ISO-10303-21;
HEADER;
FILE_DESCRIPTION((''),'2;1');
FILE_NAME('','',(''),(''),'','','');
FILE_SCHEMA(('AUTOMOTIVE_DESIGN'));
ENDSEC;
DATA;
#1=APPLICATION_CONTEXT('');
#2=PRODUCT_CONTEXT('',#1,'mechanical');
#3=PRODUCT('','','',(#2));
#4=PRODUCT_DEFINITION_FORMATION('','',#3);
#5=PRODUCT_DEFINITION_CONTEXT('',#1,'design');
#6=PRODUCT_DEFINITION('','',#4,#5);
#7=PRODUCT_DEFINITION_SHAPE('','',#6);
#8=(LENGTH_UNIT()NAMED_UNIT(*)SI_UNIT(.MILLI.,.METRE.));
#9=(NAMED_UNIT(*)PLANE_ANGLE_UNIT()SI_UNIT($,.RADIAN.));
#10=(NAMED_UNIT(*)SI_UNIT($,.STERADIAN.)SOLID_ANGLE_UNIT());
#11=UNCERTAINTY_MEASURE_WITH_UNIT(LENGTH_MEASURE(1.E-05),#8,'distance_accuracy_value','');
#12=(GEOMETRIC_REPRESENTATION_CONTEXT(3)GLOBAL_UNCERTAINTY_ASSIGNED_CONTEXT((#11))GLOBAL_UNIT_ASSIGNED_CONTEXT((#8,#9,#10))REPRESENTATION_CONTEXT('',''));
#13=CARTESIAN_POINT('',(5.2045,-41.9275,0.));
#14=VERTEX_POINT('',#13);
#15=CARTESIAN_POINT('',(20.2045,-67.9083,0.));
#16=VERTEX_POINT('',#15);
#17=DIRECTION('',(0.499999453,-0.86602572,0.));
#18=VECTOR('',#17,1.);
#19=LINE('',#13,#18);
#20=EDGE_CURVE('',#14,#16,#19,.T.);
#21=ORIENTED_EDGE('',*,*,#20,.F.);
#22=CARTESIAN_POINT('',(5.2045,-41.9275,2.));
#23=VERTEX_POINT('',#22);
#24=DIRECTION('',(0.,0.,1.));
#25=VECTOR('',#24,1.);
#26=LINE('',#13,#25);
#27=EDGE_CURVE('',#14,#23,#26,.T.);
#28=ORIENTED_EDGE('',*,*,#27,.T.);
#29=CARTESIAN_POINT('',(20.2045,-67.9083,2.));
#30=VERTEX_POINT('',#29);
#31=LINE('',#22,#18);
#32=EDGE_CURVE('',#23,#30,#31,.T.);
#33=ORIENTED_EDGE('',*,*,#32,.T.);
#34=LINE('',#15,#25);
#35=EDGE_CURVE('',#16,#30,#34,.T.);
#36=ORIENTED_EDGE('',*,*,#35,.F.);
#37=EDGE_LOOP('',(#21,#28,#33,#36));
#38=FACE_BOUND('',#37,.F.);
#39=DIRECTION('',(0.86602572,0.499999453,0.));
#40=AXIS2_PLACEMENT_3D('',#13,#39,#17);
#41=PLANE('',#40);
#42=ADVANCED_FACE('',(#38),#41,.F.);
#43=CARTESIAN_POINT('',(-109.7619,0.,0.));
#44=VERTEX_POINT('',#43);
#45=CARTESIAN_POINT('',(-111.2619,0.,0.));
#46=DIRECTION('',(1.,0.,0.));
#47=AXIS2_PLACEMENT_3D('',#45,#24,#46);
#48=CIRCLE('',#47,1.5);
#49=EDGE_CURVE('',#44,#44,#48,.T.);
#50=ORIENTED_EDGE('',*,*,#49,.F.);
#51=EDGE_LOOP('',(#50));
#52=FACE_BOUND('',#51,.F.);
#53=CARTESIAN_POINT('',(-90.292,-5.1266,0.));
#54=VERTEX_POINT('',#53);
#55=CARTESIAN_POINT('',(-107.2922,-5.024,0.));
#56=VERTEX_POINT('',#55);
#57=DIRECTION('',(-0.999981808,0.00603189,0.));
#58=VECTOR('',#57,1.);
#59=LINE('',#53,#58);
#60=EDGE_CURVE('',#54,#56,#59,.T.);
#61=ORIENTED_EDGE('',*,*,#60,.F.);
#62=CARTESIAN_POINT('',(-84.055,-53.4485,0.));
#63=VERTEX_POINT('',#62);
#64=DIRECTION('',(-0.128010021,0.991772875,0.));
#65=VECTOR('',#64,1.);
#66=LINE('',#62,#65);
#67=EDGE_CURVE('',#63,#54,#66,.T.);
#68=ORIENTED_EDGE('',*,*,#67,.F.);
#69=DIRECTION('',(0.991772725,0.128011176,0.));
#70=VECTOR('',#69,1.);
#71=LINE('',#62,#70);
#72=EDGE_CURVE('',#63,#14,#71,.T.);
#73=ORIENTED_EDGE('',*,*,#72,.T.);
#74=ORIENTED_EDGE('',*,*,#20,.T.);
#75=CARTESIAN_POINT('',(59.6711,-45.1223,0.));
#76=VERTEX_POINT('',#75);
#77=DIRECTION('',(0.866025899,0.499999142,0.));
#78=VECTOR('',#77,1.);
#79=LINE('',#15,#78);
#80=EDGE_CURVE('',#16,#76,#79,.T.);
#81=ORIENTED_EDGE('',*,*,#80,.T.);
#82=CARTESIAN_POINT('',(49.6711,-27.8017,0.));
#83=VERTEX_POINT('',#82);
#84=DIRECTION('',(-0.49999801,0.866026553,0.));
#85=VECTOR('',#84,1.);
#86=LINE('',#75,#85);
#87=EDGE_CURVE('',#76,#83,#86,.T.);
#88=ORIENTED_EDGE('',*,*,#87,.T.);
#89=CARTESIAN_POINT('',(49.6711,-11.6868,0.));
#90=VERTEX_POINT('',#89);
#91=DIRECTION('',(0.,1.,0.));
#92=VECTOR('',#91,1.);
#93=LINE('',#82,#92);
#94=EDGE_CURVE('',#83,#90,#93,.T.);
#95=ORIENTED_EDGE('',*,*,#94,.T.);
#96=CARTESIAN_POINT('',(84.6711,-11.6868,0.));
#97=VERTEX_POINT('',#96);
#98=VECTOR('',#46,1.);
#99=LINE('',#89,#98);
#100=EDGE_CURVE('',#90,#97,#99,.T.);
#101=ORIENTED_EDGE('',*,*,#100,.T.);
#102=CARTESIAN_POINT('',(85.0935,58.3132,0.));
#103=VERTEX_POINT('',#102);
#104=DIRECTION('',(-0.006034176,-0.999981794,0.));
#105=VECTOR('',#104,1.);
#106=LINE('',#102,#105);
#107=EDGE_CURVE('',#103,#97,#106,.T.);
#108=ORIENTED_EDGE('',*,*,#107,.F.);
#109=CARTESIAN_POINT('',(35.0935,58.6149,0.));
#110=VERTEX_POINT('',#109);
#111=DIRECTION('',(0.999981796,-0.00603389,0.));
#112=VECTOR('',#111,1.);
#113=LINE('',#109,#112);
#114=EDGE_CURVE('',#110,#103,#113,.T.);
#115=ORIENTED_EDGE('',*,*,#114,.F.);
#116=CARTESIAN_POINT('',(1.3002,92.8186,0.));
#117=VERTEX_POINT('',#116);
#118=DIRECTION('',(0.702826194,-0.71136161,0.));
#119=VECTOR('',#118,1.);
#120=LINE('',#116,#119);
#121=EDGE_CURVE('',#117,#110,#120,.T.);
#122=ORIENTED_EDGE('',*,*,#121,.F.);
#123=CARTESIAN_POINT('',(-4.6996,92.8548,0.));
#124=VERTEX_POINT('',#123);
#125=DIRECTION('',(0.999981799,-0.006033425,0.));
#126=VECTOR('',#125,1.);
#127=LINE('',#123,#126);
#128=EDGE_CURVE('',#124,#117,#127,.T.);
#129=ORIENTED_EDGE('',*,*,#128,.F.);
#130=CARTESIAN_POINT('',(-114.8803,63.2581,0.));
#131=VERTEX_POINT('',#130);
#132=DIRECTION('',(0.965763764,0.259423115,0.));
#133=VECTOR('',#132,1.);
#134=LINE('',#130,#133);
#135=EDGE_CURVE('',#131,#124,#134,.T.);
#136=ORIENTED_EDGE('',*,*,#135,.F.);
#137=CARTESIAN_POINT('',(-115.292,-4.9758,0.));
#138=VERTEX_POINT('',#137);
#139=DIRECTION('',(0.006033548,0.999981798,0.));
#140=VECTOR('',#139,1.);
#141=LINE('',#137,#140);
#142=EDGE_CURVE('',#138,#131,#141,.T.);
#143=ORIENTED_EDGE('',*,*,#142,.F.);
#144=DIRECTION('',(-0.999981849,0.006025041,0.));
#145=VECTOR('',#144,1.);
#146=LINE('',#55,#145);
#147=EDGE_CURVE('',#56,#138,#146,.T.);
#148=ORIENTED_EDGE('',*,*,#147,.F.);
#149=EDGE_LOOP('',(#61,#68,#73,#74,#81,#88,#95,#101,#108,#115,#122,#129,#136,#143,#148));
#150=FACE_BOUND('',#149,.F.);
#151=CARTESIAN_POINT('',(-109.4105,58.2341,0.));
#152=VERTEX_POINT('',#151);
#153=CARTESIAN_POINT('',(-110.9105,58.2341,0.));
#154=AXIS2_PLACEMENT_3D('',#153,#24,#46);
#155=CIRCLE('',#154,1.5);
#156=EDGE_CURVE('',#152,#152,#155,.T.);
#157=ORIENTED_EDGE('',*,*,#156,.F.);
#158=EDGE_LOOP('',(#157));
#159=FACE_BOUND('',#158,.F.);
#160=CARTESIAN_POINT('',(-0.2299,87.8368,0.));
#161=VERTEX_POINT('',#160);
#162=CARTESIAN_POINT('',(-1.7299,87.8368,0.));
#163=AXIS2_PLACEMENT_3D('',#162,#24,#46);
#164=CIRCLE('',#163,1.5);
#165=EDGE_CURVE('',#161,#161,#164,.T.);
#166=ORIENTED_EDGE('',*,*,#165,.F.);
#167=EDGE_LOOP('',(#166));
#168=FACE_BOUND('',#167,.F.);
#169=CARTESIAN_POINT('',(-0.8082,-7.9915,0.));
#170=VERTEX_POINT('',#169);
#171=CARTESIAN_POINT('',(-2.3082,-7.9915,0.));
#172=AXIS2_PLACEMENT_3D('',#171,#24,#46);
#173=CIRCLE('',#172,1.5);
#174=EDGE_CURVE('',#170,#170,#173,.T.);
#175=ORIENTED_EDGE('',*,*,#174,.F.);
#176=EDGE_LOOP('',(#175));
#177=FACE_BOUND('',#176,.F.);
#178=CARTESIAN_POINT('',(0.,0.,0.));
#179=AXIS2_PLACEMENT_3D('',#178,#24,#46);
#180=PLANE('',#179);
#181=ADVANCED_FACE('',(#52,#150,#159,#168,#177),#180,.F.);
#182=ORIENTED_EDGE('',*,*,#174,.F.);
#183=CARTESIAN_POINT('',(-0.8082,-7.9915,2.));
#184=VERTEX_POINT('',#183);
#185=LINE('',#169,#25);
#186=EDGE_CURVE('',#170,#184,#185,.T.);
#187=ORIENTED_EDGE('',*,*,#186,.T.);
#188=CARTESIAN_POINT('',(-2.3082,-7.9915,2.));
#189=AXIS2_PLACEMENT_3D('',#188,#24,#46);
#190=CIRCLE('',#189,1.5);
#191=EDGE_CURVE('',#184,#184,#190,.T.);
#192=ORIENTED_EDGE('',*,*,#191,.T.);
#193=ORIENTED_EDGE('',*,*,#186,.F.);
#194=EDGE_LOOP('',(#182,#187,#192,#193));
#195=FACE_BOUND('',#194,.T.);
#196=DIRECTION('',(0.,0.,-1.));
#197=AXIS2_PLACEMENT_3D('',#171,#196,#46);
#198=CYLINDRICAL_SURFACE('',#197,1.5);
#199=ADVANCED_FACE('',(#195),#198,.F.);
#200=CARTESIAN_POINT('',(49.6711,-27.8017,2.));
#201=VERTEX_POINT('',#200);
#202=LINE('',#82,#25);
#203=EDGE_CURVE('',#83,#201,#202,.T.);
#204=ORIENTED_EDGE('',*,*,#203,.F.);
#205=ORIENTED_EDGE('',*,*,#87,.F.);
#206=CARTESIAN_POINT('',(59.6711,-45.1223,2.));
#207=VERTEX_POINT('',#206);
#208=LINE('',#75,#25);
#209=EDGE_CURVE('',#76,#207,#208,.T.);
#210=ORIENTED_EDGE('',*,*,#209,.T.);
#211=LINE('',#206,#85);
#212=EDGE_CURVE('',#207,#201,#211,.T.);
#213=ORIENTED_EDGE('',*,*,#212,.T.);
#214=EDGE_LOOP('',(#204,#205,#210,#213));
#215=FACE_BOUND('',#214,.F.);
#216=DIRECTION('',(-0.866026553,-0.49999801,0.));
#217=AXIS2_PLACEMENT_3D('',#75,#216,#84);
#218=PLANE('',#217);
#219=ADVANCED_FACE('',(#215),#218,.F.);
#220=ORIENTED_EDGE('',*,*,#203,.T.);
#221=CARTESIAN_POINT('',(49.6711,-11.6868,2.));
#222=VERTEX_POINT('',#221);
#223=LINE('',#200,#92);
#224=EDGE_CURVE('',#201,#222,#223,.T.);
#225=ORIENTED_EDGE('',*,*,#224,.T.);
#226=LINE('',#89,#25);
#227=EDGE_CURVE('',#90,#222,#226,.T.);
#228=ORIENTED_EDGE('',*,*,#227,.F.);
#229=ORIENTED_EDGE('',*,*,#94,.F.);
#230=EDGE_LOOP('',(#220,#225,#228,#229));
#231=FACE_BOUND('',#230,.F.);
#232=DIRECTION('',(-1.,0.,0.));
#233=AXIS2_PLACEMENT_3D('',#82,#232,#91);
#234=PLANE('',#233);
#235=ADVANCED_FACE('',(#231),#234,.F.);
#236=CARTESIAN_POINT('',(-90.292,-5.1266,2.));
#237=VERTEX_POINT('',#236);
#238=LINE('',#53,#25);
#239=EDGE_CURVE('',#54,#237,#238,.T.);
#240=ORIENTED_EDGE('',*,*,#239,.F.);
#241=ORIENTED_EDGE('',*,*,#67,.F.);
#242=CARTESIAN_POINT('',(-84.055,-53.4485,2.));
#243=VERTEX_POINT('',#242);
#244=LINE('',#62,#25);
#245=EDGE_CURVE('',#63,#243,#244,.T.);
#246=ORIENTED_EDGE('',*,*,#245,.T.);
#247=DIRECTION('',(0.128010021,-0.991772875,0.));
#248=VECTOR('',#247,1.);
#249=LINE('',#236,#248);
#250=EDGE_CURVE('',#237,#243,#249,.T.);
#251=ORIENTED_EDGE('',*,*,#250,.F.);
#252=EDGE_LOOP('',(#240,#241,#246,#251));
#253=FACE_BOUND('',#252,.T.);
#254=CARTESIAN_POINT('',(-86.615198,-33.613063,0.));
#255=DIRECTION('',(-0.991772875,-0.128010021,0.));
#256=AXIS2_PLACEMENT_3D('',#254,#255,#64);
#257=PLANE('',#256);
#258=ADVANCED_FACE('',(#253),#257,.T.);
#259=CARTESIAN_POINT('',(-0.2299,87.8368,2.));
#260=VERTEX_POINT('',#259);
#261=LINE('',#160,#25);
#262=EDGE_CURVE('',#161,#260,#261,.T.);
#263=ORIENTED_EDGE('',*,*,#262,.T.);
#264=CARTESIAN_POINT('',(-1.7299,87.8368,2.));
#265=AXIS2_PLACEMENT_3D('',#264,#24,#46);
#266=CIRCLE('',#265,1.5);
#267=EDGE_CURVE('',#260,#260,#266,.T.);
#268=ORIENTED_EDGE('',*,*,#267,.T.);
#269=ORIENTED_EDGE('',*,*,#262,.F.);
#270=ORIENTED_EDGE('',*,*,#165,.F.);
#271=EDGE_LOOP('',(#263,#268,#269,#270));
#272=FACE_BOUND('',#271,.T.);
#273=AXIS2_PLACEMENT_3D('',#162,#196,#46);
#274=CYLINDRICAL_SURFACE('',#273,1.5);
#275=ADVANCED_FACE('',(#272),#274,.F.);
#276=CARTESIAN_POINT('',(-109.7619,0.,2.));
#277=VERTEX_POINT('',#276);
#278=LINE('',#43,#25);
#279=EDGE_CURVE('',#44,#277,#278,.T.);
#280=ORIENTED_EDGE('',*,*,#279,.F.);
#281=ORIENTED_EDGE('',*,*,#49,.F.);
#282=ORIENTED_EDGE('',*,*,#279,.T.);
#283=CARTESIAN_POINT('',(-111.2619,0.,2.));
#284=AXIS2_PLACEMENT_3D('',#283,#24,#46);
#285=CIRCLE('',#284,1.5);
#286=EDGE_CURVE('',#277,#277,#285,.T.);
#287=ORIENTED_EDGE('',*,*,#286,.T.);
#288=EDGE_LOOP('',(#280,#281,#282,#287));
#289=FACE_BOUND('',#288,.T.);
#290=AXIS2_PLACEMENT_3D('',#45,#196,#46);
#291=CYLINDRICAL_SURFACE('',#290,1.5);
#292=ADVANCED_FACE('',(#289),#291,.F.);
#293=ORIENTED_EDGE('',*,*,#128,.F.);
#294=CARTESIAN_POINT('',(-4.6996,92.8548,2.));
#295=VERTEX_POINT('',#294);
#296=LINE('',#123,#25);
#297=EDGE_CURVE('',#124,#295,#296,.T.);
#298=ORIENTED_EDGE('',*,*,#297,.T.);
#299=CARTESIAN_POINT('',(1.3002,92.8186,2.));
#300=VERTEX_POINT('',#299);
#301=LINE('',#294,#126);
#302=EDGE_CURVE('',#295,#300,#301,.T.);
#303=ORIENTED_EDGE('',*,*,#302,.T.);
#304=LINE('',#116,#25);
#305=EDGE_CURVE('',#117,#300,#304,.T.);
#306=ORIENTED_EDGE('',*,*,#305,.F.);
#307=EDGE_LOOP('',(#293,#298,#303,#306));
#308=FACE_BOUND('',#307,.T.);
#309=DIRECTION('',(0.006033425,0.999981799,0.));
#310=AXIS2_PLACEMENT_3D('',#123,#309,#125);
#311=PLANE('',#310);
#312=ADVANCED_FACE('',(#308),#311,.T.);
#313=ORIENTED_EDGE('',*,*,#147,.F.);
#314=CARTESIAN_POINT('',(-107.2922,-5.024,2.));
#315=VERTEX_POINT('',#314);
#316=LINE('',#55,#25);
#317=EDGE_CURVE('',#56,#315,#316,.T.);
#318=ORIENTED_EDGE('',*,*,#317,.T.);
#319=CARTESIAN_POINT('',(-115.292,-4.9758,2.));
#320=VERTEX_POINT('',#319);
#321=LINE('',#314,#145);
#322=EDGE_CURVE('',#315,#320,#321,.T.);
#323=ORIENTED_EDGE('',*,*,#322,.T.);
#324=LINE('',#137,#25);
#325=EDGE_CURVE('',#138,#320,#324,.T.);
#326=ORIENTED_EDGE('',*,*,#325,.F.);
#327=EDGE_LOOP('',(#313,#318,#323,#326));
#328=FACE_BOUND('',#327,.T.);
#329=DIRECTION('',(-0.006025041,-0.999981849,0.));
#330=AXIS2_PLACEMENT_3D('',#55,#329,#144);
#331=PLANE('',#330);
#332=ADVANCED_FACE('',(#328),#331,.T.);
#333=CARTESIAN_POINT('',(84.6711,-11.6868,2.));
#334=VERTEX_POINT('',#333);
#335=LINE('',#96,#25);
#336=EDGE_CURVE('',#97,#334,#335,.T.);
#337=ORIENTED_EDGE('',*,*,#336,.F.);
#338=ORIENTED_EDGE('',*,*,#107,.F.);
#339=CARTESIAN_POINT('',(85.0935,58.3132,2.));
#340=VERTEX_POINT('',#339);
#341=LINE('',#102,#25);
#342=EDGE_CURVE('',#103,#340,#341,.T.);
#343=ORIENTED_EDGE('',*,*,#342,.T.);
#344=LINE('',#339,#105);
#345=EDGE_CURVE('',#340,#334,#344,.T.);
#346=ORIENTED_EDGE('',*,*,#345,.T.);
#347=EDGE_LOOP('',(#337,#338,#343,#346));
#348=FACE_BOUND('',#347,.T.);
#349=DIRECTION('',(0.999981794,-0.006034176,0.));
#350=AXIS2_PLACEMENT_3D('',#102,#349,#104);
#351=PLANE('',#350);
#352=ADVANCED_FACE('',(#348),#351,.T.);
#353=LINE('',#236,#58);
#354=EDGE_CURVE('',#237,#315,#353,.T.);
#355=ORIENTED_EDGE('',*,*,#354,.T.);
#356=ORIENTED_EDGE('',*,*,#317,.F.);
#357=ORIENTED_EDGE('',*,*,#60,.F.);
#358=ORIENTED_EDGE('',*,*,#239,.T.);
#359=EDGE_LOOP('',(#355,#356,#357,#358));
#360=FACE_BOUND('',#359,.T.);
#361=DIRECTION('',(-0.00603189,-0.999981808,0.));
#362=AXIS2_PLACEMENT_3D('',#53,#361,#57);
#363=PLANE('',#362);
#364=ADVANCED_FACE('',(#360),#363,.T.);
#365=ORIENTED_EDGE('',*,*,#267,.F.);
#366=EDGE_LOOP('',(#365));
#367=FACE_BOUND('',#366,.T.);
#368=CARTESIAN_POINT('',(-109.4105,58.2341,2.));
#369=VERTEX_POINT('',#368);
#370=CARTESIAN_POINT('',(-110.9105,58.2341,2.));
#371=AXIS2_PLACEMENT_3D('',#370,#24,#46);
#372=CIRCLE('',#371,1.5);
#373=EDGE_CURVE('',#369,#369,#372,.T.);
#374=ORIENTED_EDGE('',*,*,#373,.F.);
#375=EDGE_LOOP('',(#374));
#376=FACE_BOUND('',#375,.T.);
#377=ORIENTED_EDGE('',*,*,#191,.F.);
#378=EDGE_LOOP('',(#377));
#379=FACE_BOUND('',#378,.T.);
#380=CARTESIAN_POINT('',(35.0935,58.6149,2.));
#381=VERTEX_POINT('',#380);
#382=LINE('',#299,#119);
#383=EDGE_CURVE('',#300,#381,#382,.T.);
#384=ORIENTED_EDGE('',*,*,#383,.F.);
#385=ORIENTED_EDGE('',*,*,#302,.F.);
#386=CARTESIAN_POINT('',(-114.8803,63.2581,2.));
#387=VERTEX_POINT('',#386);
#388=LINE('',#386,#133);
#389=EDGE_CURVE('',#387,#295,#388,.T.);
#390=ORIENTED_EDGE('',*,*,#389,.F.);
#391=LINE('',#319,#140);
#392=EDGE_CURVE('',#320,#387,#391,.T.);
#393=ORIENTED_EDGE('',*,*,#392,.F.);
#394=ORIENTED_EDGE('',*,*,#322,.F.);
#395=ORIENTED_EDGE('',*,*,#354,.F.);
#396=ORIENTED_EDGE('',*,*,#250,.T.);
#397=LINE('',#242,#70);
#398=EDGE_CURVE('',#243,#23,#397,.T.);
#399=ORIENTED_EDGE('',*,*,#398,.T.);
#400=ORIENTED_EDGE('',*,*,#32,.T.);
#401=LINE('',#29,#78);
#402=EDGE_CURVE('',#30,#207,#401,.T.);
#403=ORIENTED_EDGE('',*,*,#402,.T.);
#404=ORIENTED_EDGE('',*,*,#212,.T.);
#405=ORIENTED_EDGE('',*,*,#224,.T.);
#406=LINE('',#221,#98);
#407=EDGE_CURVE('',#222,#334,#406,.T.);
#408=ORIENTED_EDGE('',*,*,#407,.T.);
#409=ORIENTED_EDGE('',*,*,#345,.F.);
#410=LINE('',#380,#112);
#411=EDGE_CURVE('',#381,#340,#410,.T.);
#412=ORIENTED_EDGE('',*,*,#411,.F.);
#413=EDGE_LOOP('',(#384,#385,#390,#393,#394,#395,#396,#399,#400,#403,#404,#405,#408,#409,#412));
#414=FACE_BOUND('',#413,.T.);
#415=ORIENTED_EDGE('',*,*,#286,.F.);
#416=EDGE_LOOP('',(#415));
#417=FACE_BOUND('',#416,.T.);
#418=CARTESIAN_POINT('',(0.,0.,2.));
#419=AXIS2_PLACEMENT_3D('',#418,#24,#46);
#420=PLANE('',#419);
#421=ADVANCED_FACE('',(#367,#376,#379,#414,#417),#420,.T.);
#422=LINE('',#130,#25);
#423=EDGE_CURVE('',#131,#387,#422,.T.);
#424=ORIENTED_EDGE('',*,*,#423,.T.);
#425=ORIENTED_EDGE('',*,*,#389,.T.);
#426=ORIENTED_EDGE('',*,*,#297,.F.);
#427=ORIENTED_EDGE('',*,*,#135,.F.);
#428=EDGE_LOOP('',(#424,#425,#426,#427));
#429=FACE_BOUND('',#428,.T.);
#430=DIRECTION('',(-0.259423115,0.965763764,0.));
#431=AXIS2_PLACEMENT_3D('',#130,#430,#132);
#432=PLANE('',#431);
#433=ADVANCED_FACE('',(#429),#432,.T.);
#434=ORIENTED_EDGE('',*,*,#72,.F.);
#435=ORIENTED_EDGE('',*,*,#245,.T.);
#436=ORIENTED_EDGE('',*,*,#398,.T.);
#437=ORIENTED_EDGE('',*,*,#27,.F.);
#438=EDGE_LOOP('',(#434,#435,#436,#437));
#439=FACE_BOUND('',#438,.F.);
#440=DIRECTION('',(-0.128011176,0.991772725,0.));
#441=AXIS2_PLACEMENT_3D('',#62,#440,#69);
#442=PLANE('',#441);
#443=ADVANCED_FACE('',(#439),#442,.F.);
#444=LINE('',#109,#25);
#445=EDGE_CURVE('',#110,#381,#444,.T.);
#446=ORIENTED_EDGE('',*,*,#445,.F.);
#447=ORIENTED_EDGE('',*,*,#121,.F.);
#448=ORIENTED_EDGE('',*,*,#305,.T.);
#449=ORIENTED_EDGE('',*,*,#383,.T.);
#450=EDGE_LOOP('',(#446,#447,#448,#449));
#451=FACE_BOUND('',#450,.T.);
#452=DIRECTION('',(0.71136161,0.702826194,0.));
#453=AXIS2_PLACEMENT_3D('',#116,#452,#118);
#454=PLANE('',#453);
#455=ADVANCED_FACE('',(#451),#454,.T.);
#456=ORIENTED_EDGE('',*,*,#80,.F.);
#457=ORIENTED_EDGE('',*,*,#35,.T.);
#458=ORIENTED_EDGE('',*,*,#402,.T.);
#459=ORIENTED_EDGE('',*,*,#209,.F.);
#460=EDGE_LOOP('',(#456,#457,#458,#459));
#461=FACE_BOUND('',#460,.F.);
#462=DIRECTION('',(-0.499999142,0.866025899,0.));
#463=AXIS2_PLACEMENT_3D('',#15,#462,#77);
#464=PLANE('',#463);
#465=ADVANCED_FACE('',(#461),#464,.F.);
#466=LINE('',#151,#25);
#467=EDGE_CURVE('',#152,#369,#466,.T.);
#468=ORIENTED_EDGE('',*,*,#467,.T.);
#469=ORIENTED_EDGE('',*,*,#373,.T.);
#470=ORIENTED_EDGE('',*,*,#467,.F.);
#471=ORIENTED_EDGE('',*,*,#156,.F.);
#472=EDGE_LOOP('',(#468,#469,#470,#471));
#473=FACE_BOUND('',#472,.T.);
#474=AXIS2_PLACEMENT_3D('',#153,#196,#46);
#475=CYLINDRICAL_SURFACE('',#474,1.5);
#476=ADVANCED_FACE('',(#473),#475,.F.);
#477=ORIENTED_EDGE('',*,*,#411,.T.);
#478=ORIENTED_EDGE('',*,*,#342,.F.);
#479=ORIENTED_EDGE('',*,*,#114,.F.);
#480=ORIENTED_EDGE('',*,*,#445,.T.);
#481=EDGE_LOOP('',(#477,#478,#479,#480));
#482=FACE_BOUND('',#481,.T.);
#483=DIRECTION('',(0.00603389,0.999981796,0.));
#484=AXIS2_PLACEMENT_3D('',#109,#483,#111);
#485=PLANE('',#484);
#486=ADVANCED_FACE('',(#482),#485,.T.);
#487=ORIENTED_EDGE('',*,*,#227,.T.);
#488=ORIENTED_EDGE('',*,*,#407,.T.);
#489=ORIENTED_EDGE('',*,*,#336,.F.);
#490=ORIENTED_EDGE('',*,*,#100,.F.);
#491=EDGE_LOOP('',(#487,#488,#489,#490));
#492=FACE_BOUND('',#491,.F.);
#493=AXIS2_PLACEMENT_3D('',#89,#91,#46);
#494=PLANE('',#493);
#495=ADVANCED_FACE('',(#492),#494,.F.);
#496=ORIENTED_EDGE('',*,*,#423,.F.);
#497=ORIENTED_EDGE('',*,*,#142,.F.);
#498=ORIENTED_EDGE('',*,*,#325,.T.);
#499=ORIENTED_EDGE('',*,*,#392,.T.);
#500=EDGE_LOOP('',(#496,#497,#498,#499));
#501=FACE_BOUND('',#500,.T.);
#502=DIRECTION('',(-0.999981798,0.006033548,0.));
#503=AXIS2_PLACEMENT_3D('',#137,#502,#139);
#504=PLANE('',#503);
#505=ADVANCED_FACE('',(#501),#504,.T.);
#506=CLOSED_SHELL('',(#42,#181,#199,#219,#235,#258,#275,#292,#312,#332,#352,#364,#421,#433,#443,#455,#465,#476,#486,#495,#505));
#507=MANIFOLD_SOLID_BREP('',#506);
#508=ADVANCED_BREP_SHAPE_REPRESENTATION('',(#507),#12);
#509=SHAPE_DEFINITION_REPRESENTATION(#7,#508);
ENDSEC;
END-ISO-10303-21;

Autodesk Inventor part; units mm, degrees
ref_plane "YZ Plane" through (0, 0, 0) normal (1, 0, 0) x (0, 1, 0)
ref_plane "XZ Plane" through (0, 0, 0) normal (0, 1, 0) x (-1, 0, 0)
ref_plane "XY Plane" through (0, 0, 0) normal (0, 0, 1) x (1, 0, 0)
sketch "スケッチ1" plane through (0, 0, 0) normal (0, 0, 1) x (1, 0, 0)
  line L0 (-106.8804, 63.2098) -> (-114.8803, 63.2581) projected
  line L1 (-107.2922, -5.024) -> (-115.292, -4.9758) projected
  line L2 (-4.6996, 92.8548) -> (1.3002, 92.8186) projected
  line L3 (-5.3383, -12.9733) -> (0.6616, -13.0095) projected
  line L4 (-79.7382, 110.3105) -> (1.3027, 93.2276) projected
  line L5 (-88.2817, 72.7187) -> (-79.7382, 110.3105) projected
  line L6 (-84.055, -53.4485) -> (5.2045, -41.9275)
  line L7 (49.6711, -27.8017) -> (49.6711, -11.6868)
  line L8 (49.6711, -11.6868) -> (84.6711, -11.6868)
  line L9 (5.2045, -41.9275) -> (20.2045, -67.9083)
  line L10 (20.2045, -67.9083) -> (59.6711, -45.1223)
  line L11 (59.6711, -45.1223) -> (49.6711, -27.8017)
  line L12 (-84.055, -53.4485) -> (-90.292, -5.1266)
  circle A0 centre (-111.2619, 0) radius 1.5 projected
  circle A1 centre (-110.9105, 58.2341) radius 1.5 projected
  line L13 (-115.292, -4.9758) -> (-114.8803, 63.2581) projected
  line L14 (-106.8804, 63.2098) -> (-114.8803, 63.2581) projected
  line L15 (-106.8804, 63.2098) -> (-107.2922, -5.024) projected
  line L16 (-107.2922, -5.024) -> (-115.292, -4.9758) projected
  line L17 (-90.292, -5.1266) -> (-115.292, -4.9758)
  line L18 (-115.292, -4.9758) -> (-114.8803, 63.2581)
  circle A2 centre (-1.7299, 87.8368) radius 1.5 projected
  circle A3 centre (-2.3082, -7.9915) radius 1.5 projected
  line L19 (1.3002, 92.8186) -> (0.6616, -13.0095) projected
  line L20 (-5.3383, -12.9733) -> (0.6616, -13.0095) projected
  line L21 (-5.3383, -12.9733) -> (-4.6996, 92.8548) projected
  line L22 (-4.6996, 92.8548) -> (1.3002, 92.8186) projected
  line L23 (-114.8803, 63.2581) -> (-4.6996, 92.8548)
  line L24 (1.3002, 92.8186) -> (-4.6996, 92.8548)
  line L25 (1.3002, 92.8186) -> (35.0935, 58.6149)
  line L26 (35.0935, 58.6149) -> (85.0935, 58.3132)
  line L27 (85.0935, 58.3132) -> (84.6711, -11.6868)
  line L28 (-91.5437, -34.2492) -> (2.6068, -22.0969) projected
  point P0 (0, 0)
  dimension "d25" = 35
  dimension "d27" = 90
  dimension "d29" = 20
  dimension "d30" = 150
  dimension "d31" = 30
  dimension "d60" = 25
  dimension "d61" = 20
  dimension "d62" = 135
  dimension "d63" = 200
  dimension "d64" = 50
  dimension "d65" = 70
extrude "プレート2" add sketch "スケッチ1" along normal blind 2
equation "\"d6\" = Thickness"
equation "\"BendRadius\" = Thickness"
equation "\"BendReliefWidth\" = Thickness"
equation "\"BendReliefDepth\" = 0.5 * Thickness"
equation "\"CornerReliefSize\" = 4 * Thickness"
equation "\"MinimumRemnant\" = 2 * Thickness"
equation "\"TransitionRadius\" = BendRadius"
equation "\"JacobiRadiusSize\" = Thickness"
equation "\"GapSize\" = Thickness"
equation "\"Thickness\" = 2"
properties part number "baseframe" material "アルミニウム 6061"
